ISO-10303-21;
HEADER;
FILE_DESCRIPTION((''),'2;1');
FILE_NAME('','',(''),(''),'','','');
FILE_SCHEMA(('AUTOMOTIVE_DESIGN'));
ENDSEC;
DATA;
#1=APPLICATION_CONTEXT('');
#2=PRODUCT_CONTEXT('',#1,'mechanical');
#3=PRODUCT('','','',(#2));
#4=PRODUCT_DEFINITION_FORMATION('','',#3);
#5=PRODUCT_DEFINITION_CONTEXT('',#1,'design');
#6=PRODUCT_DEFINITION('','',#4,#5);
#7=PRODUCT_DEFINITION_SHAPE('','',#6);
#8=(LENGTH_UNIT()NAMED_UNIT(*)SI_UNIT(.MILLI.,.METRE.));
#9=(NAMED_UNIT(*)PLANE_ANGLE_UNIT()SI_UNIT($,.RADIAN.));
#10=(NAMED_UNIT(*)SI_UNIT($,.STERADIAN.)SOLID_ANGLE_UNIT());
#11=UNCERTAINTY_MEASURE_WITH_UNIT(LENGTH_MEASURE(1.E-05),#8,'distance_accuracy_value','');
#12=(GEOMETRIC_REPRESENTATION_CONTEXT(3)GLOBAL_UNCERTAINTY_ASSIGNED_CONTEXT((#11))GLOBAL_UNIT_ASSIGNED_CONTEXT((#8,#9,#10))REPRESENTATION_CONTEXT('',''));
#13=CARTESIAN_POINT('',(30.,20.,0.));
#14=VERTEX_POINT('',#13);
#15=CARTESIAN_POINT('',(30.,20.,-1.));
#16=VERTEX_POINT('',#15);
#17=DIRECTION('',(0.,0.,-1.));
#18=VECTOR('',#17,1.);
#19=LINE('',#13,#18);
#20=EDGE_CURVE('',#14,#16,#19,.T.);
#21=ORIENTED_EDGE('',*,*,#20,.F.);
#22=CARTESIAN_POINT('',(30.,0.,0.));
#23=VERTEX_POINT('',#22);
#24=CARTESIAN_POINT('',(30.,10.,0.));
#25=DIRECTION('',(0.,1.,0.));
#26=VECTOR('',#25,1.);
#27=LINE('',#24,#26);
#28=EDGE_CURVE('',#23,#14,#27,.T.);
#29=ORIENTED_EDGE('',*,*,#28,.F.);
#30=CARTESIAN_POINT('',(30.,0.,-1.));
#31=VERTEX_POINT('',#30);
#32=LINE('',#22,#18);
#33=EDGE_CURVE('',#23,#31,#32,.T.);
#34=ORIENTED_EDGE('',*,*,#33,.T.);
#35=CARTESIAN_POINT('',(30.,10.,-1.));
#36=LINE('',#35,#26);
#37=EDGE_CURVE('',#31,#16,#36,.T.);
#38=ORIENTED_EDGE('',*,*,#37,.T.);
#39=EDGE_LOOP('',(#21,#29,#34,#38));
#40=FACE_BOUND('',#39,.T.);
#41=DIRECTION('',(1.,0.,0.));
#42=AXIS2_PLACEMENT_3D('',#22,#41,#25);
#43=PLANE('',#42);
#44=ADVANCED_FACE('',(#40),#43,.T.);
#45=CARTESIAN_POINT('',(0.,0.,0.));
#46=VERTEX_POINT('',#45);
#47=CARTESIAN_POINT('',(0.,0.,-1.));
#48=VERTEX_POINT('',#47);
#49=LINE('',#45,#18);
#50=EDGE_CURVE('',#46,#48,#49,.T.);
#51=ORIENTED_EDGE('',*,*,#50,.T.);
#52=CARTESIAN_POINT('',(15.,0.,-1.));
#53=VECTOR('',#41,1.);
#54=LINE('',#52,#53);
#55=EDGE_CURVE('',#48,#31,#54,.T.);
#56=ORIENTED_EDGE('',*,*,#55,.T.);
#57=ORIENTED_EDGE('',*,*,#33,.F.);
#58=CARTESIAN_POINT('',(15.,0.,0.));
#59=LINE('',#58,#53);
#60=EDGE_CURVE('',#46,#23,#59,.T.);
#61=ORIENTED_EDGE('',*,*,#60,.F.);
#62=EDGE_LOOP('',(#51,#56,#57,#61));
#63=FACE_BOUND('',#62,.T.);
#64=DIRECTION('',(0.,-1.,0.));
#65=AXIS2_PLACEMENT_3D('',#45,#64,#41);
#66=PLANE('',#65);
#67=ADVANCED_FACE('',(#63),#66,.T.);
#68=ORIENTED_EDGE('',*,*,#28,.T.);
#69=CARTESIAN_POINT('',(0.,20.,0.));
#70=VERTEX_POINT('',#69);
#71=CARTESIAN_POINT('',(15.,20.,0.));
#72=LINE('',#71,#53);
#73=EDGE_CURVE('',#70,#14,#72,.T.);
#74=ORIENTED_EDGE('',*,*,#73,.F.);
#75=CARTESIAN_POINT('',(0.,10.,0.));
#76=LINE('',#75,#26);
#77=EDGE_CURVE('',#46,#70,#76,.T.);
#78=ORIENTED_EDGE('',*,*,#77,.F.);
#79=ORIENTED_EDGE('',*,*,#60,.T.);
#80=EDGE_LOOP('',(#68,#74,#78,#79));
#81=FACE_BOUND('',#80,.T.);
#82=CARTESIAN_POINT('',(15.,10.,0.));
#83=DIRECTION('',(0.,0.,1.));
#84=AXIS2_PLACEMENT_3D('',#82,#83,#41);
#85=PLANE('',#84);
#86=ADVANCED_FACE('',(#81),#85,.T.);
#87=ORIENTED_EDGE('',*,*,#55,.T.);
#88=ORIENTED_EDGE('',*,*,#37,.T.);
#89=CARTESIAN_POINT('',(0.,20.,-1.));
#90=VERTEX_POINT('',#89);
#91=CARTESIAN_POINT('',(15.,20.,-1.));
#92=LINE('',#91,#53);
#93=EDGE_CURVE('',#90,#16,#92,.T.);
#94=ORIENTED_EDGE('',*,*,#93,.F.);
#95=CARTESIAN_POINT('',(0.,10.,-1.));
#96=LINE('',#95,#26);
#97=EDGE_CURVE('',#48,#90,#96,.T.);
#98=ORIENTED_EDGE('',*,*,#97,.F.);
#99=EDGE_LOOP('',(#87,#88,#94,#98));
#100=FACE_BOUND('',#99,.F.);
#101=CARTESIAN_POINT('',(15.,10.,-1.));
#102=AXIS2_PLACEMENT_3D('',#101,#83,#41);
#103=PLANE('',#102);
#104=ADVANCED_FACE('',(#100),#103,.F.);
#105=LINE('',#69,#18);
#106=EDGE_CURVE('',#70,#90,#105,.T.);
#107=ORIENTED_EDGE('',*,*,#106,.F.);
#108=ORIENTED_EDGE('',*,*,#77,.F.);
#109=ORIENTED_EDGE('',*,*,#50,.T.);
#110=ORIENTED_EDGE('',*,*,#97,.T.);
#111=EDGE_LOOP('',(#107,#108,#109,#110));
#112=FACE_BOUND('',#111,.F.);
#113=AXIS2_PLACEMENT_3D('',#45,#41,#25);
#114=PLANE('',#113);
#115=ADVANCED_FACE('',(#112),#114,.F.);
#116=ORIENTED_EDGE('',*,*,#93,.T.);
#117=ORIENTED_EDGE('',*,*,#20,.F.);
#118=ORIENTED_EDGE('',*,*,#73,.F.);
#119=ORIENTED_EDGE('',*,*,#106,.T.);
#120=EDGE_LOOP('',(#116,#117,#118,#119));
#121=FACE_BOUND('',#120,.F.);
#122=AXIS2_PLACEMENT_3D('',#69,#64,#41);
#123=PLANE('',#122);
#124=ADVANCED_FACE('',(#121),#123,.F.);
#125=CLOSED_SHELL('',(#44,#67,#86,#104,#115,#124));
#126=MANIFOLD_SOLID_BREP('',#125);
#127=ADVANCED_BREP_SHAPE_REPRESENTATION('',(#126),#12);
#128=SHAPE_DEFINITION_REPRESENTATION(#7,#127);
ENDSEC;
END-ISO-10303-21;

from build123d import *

# Parameters (mm, degrees)
SKETCH_W  = 30
SKETCH_H  = 20
PAD_DEPTH = 1


with BuildPart() as part:
    # Sketch → Pad (new body)
    with BuildSketch(Plane.XY):
        with Locations((15, 10)):
            Rectangle(SKETCH_W, SKETCH_H)
    extrude(amount=-PAD_DEPTH)


solid = part.part
